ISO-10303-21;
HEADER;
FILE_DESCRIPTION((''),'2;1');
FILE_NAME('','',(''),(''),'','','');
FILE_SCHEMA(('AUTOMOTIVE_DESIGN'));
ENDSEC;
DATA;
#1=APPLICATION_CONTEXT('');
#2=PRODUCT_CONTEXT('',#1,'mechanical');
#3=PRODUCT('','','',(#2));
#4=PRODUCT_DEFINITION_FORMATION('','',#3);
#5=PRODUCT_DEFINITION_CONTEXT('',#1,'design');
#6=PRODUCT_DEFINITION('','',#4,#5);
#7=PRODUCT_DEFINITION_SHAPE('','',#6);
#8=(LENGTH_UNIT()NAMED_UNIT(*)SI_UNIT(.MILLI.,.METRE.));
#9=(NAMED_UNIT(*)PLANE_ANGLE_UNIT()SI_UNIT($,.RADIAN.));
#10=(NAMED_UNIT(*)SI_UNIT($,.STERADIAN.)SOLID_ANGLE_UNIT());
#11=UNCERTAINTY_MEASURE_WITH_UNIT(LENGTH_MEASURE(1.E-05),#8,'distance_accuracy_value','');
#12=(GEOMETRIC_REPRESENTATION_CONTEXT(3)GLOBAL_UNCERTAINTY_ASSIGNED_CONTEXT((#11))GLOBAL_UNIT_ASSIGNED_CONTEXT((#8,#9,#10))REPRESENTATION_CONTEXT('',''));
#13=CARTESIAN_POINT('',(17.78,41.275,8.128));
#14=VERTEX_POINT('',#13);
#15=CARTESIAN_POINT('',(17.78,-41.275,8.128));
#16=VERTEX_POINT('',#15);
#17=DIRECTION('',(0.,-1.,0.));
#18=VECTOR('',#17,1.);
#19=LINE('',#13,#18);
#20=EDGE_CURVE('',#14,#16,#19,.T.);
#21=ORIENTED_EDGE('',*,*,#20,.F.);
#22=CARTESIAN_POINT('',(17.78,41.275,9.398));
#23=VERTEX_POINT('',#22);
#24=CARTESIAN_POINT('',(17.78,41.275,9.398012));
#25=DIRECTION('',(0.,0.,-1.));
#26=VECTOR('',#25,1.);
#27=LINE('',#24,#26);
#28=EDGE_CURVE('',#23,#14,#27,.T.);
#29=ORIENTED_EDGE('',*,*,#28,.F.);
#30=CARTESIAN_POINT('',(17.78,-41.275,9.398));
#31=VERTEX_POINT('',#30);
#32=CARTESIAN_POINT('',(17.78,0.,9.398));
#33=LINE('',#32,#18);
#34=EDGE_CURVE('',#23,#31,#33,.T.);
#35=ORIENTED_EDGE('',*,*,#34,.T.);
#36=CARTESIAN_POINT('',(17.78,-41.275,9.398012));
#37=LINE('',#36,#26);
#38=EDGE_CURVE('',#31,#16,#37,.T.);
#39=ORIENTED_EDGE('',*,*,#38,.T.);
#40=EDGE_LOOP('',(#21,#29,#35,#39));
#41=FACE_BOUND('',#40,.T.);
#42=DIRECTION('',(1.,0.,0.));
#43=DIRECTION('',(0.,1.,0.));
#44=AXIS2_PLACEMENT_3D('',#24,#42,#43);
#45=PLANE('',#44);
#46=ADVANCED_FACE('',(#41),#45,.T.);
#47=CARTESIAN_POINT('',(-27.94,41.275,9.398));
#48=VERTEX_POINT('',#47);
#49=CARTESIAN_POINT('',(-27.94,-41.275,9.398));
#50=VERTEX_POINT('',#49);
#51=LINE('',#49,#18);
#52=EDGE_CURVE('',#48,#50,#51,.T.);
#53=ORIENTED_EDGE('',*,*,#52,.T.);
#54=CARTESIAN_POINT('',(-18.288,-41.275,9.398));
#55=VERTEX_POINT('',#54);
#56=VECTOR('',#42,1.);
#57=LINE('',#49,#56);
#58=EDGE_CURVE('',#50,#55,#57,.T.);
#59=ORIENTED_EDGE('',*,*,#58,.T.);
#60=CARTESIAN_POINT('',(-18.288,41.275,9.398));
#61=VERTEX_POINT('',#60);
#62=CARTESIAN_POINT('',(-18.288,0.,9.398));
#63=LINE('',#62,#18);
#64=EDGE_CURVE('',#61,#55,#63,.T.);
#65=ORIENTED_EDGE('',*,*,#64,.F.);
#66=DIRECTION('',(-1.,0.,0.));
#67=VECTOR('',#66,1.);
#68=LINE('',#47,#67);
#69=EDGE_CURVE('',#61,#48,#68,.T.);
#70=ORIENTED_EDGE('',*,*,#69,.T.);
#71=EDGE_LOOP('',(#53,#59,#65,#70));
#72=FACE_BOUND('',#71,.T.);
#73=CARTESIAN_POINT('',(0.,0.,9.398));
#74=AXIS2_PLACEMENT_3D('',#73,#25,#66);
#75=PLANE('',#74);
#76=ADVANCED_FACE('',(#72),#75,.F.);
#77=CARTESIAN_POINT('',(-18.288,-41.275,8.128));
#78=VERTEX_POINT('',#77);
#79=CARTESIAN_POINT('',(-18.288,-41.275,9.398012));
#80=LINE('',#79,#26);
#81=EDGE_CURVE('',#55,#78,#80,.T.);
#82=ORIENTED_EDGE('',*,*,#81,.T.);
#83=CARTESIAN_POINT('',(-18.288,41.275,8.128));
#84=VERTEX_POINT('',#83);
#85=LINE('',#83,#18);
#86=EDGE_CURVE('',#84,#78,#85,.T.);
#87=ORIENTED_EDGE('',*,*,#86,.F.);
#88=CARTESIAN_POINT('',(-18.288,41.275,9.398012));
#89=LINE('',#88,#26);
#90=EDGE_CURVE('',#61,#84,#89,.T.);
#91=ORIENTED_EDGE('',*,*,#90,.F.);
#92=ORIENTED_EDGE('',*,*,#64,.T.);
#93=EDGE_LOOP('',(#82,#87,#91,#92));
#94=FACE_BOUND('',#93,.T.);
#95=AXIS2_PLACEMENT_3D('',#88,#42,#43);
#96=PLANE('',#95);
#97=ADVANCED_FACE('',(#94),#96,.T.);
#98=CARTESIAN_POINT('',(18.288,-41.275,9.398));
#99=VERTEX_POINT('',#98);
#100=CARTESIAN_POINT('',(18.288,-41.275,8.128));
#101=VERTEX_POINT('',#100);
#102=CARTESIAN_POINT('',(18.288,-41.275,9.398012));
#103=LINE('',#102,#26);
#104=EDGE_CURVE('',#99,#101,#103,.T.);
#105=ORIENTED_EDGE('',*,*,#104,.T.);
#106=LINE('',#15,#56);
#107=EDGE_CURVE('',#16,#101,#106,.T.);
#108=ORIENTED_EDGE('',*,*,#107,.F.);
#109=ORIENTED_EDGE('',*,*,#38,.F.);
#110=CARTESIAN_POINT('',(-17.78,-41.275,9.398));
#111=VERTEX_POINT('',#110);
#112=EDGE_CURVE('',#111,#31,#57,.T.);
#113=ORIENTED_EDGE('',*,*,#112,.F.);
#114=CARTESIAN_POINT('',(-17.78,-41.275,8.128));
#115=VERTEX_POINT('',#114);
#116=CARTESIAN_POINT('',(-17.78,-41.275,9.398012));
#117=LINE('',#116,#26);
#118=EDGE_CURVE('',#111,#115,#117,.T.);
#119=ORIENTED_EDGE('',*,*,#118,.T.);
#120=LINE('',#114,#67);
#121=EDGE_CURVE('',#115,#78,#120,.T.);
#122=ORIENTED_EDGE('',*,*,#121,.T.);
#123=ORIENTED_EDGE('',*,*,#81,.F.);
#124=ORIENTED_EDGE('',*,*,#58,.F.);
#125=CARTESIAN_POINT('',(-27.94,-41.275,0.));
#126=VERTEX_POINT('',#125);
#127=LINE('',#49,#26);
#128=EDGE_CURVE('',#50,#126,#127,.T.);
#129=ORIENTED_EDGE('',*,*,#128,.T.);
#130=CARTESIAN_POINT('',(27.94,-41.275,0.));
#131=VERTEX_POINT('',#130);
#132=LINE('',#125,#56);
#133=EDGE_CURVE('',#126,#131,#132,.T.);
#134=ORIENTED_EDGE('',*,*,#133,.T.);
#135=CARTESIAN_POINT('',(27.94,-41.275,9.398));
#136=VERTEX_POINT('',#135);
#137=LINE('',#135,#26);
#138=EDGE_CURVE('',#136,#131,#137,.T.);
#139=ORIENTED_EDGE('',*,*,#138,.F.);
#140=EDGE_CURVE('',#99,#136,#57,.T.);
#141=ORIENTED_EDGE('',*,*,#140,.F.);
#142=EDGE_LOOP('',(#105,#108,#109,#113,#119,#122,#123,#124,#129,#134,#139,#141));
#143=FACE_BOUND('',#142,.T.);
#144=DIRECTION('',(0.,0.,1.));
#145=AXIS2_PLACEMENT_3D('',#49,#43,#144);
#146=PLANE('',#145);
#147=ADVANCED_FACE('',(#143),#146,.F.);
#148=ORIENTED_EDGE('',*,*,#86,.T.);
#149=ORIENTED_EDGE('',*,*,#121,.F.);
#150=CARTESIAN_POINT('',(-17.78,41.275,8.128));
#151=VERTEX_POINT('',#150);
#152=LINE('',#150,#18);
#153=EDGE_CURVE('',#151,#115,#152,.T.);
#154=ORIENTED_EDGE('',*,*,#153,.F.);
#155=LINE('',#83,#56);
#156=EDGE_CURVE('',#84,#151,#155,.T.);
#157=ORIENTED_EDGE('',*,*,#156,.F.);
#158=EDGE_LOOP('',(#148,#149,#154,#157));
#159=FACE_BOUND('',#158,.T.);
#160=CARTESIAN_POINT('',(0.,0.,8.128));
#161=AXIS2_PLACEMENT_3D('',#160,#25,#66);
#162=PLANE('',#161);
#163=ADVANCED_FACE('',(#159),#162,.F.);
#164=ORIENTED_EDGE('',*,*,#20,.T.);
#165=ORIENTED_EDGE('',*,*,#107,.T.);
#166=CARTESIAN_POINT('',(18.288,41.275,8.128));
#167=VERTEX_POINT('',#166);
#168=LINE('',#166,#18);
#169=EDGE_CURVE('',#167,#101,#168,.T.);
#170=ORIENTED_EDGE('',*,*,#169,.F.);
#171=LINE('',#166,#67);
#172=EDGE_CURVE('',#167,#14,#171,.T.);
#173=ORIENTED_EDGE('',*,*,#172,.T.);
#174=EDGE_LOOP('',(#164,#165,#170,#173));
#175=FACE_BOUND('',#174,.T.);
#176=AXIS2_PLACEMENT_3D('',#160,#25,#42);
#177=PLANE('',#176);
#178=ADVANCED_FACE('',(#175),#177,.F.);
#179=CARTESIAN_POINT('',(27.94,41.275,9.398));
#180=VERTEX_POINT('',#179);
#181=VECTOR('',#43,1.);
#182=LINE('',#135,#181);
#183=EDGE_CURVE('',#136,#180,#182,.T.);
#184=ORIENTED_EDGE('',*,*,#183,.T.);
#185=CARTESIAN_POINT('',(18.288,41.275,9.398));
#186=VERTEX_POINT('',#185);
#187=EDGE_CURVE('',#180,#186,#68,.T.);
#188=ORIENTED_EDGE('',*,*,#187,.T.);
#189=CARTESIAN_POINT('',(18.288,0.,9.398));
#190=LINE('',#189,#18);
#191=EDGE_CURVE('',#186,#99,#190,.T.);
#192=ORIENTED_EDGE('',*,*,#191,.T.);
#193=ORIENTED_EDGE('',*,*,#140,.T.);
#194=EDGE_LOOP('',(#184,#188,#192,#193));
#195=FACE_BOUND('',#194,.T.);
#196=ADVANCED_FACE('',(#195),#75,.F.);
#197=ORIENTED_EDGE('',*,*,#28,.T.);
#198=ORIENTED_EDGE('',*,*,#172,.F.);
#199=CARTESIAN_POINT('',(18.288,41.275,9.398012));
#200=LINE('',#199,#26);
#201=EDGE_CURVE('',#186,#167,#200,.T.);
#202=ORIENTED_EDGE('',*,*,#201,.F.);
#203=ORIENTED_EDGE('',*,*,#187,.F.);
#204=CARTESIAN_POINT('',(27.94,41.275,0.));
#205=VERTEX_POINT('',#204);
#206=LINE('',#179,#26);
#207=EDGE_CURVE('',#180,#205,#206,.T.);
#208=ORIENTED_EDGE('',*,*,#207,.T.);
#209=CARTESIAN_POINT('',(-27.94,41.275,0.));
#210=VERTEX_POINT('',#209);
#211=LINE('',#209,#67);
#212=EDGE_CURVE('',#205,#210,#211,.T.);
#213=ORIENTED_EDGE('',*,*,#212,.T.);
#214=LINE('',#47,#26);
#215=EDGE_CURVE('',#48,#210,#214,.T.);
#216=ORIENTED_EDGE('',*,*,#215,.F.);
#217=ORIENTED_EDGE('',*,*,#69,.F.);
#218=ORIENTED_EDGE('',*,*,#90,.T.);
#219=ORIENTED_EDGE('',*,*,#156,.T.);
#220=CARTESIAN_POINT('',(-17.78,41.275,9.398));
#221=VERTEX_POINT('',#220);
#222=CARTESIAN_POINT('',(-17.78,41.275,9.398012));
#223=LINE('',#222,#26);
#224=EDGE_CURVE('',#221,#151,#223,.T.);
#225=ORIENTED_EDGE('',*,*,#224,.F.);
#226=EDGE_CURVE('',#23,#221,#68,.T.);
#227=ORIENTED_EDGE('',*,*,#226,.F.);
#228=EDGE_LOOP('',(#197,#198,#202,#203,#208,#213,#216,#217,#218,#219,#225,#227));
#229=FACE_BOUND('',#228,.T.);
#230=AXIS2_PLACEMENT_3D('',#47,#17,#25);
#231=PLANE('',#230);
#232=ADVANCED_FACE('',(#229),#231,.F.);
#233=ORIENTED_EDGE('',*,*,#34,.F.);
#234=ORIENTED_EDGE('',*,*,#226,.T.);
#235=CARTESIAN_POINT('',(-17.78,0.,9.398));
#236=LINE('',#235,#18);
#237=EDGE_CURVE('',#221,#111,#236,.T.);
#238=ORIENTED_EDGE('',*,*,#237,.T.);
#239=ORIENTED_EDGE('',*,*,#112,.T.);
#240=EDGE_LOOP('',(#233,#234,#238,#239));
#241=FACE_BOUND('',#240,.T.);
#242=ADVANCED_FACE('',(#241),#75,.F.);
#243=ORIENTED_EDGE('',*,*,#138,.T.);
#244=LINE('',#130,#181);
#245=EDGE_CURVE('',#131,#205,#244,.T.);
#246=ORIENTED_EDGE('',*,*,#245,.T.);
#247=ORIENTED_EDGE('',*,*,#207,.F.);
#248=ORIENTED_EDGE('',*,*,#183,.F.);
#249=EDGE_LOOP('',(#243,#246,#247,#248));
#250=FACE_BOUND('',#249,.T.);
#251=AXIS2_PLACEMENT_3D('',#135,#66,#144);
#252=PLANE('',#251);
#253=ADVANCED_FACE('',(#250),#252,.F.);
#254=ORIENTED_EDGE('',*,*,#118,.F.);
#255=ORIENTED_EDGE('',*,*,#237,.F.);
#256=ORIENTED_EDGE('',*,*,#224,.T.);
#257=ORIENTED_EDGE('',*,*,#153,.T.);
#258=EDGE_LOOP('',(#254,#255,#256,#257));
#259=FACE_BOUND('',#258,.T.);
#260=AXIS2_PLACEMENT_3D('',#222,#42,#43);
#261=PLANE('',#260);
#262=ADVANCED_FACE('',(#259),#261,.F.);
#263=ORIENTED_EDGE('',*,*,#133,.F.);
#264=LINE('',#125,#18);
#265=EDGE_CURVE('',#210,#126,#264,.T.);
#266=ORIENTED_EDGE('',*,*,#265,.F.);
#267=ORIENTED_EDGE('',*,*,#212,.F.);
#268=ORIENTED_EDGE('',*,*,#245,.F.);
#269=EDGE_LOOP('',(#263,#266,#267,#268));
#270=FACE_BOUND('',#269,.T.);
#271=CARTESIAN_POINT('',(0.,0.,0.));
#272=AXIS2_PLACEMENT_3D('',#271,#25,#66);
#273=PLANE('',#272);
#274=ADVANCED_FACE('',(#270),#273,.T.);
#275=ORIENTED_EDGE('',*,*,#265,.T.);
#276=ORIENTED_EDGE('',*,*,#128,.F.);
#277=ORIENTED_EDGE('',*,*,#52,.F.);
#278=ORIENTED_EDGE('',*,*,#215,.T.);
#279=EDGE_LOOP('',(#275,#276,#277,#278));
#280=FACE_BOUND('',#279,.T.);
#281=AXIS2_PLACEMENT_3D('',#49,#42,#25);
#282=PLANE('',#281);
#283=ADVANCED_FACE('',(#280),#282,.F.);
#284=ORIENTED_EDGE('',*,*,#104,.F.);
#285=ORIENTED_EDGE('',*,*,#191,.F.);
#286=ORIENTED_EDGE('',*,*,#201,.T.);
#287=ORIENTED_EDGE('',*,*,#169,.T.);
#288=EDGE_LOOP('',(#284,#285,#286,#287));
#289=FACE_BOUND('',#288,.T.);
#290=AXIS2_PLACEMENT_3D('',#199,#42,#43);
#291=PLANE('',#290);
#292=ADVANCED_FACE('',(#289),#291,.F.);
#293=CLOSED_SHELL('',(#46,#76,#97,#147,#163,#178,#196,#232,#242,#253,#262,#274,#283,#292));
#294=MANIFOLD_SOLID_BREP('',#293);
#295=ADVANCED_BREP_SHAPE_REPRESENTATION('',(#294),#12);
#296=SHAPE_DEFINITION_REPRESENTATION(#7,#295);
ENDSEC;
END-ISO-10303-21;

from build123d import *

# Parameters (mm, degrees)
SKETCH1_W               = 55.88
SKETCH1_H               = 82.55
BOSS_EXTRUDE1_DEPTH     = 9.398
CUT_EXTRUDE_THIN1_START = -1.27
SKETCH2_W               = 0.508
SKETCH2_H               = 82.55
CUT_EXTRUDE_THIN1_DEPTH = 52.99072189


with BuildPart() as part:
    # Sketch1 → Boss-Extrude1 (new body)
    with BuildSketch(Plane.XY):
        Rectangle(SKETCH1_W, SKETCH1_H)
    extrude(amount=BOSS_EXTRUDE1_DEPTH)

    # Sketch2 → Cut-Extrude-Thin1 (cut)
    with BuildSketch(Plane.XY.offset(9.398).offset(CUT_EXTRUDE_THIN1_START)):
        with Locations((-18.034, 0)):
            Rectangle(SKETCH2_W, SKETCH2_H)
    cut_extrude_thin1 = extrude(amount=CUT_EXTRUDE_THIN1_DEPTH, mode=Mode.SUBTRACT)

    # Mirror1: Cut-Extrude-Thin1 across plane
    add(cut_extrude_thin1.mirror(Plane(origin=(0, 0, 0), x_dir=(0, 0, 1), z_dir=(1, 0, 0))), mode=Mode.SUBTRACT)


solid = part.part
